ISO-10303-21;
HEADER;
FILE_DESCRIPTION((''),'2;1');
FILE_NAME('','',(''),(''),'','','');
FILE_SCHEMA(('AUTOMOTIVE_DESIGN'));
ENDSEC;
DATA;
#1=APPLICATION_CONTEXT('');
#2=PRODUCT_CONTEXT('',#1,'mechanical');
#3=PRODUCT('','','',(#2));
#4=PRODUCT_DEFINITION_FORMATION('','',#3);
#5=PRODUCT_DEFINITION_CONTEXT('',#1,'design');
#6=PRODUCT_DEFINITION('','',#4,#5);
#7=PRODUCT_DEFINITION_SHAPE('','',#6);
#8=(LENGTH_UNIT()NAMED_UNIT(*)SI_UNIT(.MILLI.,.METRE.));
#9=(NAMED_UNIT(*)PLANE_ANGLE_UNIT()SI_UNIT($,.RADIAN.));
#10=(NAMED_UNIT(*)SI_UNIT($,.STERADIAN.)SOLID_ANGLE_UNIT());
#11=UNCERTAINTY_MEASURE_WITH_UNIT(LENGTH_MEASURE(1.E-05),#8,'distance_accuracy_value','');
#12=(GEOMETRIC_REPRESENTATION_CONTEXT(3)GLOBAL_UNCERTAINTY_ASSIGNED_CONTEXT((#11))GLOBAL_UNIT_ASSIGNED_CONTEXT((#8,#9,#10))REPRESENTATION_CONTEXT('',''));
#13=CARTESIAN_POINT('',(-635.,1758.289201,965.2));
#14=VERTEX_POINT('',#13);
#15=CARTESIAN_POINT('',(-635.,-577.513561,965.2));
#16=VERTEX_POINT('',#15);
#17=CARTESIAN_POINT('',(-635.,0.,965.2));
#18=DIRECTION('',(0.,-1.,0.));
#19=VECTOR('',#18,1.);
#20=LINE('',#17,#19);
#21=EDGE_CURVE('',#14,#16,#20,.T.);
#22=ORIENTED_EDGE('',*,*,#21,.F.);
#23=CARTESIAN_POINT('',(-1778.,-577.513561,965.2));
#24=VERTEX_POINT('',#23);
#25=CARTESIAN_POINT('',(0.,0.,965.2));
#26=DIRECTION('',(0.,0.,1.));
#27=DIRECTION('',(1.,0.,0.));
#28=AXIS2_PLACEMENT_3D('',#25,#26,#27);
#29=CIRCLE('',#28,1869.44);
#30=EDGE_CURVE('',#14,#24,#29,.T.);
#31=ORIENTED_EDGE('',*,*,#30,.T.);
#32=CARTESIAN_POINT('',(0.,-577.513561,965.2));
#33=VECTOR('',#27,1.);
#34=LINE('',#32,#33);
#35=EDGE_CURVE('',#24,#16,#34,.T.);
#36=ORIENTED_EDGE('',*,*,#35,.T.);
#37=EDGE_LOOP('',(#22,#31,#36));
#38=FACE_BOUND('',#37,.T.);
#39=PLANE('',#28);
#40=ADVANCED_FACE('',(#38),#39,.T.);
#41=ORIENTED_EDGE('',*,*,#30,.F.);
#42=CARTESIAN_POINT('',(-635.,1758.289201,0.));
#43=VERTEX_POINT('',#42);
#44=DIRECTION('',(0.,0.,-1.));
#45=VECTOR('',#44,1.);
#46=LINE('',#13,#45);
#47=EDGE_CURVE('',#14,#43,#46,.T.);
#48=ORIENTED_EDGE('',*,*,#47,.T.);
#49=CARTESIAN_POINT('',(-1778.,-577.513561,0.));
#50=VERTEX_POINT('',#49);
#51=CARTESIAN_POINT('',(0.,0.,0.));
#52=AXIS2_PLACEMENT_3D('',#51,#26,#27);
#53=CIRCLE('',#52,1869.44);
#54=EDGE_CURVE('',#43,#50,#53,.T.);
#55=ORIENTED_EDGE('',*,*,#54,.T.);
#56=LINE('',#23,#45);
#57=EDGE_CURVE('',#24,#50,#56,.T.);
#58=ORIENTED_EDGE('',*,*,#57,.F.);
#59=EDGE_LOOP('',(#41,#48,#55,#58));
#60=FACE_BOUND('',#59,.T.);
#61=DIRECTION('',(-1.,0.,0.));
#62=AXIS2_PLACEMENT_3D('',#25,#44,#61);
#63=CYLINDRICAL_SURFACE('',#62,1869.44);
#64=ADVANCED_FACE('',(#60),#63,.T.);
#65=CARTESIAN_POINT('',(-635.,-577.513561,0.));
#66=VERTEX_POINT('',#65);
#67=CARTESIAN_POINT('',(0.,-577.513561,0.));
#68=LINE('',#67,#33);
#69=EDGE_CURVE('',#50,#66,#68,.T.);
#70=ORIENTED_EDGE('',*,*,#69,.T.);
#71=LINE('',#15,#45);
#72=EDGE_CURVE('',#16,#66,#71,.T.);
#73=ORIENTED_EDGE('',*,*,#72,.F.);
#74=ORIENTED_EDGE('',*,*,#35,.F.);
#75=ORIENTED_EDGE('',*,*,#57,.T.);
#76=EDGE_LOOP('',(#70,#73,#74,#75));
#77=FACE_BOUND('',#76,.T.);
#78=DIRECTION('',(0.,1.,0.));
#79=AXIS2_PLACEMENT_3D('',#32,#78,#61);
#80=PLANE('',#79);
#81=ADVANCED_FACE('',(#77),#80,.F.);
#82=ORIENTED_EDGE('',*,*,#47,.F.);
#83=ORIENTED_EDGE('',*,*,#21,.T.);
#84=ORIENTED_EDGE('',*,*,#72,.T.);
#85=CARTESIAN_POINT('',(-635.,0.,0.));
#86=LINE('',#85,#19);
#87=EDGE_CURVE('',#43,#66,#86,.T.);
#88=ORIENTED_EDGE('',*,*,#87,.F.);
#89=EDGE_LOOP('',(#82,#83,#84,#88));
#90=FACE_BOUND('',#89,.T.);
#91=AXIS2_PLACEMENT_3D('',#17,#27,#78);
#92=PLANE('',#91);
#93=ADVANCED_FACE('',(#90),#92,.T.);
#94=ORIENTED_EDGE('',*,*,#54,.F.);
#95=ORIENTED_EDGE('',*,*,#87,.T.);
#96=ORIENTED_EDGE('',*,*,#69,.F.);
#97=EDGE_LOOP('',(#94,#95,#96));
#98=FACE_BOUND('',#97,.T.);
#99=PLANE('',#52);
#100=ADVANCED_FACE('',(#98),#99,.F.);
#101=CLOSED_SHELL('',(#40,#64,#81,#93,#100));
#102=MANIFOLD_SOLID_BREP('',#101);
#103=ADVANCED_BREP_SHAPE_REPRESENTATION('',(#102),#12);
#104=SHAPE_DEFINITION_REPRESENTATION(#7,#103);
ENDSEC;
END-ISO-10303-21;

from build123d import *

# Parameters (mm, degrees)
BOSS_EXTRUDE1_DEPTH = 965.2


with BuildPart() as part:
    # Sketch1 → Boss-Extrude1 (new body)
    with BuildSketch(Plane.XY):
        with BuildLine():
            ThreePointArc((-635, 1758.289200786), (-1679.177145497, 821.68730527), (-1778, -577.513561399))
            Line((-1778, -577.513561399), (-635, -577.513561399))
            Line((-635, -577.513561399), (-635, 1758.289200786))
        make_face()
    extrude(amount=BOSS_EXTRUDE1_DEPTH)


solid = part.part
